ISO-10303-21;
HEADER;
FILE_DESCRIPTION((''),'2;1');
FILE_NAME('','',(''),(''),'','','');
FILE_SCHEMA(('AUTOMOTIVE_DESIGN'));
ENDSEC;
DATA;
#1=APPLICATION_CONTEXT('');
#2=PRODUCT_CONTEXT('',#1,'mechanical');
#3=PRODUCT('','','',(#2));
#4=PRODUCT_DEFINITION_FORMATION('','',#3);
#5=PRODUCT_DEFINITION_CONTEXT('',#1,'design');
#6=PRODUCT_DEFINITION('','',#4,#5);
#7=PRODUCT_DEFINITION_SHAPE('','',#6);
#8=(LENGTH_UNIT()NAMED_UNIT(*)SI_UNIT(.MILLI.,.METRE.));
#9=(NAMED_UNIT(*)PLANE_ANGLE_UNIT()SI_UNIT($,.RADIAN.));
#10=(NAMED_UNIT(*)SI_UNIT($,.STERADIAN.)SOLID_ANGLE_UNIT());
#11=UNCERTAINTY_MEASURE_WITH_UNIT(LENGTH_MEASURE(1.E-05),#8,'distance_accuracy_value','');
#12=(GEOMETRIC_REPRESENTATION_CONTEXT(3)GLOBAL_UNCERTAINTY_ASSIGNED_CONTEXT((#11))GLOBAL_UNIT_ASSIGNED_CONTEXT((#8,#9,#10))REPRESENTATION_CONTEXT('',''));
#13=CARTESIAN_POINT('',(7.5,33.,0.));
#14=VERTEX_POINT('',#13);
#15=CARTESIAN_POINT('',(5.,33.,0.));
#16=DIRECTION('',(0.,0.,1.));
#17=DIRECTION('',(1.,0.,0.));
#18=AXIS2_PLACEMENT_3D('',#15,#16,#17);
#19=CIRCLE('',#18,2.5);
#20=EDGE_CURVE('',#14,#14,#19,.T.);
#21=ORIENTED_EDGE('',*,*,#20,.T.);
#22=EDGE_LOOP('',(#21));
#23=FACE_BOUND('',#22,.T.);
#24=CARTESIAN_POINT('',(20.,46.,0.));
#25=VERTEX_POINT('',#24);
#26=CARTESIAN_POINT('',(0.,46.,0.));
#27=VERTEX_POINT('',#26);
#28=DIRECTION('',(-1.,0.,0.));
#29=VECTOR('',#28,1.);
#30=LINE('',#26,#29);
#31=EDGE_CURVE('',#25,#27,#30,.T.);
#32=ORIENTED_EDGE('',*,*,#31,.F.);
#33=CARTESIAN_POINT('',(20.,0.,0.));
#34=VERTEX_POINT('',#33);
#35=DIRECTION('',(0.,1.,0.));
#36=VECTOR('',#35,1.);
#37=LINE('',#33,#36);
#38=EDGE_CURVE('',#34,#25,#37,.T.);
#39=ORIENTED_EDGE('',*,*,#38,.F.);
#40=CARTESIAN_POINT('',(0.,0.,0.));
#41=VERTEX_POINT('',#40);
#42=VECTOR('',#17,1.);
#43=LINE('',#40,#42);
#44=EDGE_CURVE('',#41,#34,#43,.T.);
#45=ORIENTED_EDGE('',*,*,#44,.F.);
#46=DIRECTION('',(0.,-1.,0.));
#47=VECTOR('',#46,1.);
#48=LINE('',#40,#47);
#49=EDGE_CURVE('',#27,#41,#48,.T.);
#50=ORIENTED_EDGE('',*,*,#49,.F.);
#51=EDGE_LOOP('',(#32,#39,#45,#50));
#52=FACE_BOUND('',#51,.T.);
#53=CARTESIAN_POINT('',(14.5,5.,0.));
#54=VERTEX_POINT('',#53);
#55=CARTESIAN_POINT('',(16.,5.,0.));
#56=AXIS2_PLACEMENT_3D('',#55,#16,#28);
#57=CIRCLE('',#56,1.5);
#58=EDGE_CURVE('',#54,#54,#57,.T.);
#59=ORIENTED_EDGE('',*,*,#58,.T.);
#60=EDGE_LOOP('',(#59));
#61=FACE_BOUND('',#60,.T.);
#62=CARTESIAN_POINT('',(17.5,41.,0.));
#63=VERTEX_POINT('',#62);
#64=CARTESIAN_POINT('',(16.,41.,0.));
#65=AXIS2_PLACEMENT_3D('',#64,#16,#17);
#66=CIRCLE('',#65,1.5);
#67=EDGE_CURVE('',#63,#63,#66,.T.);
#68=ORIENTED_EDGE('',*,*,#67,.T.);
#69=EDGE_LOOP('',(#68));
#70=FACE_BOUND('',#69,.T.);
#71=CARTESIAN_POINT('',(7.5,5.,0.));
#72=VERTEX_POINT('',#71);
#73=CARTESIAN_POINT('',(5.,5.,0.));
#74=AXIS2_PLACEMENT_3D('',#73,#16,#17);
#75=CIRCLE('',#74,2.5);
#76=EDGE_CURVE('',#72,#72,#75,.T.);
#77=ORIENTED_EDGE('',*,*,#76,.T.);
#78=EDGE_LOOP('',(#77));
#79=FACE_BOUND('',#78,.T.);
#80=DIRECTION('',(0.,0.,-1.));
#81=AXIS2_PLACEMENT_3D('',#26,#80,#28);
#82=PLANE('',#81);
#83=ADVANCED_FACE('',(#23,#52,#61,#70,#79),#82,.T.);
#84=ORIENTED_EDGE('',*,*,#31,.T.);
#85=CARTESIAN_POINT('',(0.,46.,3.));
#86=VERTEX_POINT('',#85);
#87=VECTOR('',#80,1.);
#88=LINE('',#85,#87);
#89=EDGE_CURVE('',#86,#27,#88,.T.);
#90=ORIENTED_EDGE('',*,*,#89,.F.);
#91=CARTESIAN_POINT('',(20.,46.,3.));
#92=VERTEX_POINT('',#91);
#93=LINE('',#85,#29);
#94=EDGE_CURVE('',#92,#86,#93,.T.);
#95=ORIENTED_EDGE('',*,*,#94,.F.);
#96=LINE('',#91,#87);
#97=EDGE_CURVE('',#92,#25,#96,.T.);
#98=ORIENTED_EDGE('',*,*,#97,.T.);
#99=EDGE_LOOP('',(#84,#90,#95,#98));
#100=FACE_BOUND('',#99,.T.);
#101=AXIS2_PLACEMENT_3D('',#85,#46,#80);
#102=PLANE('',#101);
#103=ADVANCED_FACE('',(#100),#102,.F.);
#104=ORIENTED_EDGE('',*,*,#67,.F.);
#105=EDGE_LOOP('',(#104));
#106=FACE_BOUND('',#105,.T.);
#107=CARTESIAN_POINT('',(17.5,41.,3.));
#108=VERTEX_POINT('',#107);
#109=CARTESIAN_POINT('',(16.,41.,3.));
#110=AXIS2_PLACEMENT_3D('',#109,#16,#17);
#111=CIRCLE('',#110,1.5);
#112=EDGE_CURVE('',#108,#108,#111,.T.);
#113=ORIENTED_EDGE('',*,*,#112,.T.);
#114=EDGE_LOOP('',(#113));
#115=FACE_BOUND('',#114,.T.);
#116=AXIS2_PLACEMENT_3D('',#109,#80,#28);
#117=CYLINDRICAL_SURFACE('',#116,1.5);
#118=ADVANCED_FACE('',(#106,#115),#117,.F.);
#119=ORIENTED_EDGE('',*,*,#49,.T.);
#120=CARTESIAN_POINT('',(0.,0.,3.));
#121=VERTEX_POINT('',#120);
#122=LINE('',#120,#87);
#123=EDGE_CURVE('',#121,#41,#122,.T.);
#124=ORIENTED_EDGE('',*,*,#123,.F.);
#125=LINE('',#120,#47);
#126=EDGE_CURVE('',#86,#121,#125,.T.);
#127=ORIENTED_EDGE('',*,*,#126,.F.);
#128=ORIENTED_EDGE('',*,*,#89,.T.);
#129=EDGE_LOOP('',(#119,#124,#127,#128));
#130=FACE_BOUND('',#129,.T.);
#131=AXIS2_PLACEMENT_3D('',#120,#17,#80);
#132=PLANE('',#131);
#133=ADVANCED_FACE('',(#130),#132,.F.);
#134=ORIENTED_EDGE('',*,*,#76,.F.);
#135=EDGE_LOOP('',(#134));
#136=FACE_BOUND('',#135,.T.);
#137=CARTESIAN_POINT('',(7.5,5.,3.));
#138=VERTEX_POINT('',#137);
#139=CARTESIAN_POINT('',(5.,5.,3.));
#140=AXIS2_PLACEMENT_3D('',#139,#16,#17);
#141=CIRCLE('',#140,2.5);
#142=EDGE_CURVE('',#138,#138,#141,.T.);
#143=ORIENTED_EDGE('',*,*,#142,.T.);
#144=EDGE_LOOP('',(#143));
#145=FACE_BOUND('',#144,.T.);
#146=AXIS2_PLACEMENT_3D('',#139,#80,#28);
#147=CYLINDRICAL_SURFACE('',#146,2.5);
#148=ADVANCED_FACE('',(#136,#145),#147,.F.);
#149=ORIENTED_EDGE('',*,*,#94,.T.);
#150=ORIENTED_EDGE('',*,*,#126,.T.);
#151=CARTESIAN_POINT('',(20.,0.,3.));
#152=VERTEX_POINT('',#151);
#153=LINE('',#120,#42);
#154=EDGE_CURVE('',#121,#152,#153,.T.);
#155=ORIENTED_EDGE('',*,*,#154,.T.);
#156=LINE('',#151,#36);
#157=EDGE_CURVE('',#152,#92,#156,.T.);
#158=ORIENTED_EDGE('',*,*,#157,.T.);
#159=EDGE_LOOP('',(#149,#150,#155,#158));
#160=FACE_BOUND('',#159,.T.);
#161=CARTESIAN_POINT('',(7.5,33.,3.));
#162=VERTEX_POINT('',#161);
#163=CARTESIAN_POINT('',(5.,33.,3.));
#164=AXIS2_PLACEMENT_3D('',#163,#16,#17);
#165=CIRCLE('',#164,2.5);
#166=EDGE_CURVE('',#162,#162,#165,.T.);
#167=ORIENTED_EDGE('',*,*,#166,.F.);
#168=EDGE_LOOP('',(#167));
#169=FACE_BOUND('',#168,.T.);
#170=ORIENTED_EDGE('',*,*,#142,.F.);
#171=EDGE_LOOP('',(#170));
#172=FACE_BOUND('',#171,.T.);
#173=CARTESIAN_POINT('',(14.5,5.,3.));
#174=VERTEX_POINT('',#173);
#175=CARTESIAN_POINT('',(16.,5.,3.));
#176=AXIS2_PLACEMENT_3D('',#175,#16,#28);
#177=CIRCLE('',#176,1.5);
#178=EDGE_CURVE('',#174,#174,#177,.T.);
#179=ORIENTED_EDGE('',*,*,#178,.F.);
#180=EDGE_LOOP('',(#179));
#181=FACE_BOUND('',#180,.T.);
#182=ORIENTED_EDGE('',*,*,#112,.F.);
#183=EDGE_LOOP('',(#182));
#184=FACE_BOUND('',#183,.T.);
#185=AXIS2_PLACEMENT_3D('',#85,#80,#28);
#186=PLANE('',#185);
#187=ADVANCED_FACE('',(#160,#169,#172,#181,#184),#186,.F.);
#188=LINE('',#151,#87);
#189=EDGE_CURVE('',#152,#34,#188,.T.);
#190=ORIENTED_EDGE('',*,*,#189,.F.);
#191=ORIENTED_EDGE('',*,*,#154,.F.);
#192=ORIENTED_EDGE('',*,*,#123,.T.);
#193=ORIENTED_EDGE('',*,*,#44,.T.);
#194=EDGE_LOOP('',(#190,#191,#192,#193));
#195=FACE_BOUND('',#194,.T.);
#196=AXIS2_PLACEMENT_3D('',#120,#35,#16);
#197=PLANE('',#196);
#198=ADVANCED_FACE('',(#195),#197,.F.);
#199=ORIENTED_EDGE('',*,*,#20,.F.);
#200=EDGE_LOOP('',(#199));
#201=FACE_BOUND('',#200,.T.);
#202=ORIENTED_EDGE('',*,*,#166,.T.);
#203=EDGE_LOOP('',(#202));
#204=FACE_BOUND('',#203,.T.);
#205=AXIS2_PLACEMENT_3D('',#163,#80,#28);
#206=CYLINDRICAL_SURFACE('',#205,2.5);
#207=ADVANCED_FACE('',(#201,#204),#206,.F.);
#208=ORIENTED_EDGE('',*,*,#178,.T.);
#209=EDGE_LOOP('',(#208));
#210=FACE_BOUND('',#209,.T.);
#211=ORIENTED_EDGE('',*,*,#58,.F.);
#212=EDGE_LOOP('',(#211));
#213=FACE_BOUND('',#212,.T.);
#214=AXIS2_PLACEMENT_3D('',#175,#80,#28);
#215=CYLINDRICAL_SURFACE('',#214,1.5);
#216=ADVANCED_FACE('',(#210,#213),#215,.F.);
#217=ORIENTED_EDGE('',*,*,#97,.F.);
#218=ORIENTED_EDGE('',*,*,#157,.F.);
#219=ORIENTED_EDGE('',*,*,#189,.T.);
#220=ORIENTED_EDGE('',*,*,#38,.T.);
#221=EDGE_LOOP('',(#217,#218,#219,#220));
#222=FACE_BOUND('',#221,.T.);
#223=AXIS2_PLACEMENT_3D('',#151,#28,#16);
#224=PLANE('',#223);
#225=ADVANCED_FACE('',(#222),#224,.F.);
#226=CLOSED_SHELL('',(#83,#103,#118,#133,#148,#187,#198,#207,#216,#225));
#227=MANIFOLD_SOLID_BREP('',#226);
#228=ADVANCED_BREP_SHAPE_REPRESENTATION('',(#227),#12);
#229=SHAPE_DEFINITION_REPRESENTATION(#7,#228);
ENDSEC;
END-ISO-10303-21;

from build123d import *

# Parameters (mm, degrees)
ESQUISSE1_W      = 20
ESQUISSE1_H      = 46
ESQUISSE1_R      = 2.5
ESQUISSE1_R_2    = 1.5
EXTRUSION1_DEPTH = 3


with BuildPart() as part:
    # Esquisse1 → Extrusion1 (new body)
    with BuildSketch(Plane.XY):
        with Locations((10, 23)):
            Rectangle(ESQUISSE1_W, ESQUISSE1_H)
        with Locations((5, 33)):
            Circle(ESQUISSE1_R, mode=Mode.SUBTRACT)
        with Locations((5, 5)):
            Circle(ESQUISSE1_R, mode=Mode.SUBTRACT)
        with Locations((16, 41)):
            Circle(ESQUISSE1_R_2, mode=Mode.SUBTRACT)
        with Locations((16, 5)):
            Circle(ESQUISSE1_R_2, mode=Mode.SUBTRACT)
    extrude(amount=EXTRUSION1_DEPTH)


solid = part.part
